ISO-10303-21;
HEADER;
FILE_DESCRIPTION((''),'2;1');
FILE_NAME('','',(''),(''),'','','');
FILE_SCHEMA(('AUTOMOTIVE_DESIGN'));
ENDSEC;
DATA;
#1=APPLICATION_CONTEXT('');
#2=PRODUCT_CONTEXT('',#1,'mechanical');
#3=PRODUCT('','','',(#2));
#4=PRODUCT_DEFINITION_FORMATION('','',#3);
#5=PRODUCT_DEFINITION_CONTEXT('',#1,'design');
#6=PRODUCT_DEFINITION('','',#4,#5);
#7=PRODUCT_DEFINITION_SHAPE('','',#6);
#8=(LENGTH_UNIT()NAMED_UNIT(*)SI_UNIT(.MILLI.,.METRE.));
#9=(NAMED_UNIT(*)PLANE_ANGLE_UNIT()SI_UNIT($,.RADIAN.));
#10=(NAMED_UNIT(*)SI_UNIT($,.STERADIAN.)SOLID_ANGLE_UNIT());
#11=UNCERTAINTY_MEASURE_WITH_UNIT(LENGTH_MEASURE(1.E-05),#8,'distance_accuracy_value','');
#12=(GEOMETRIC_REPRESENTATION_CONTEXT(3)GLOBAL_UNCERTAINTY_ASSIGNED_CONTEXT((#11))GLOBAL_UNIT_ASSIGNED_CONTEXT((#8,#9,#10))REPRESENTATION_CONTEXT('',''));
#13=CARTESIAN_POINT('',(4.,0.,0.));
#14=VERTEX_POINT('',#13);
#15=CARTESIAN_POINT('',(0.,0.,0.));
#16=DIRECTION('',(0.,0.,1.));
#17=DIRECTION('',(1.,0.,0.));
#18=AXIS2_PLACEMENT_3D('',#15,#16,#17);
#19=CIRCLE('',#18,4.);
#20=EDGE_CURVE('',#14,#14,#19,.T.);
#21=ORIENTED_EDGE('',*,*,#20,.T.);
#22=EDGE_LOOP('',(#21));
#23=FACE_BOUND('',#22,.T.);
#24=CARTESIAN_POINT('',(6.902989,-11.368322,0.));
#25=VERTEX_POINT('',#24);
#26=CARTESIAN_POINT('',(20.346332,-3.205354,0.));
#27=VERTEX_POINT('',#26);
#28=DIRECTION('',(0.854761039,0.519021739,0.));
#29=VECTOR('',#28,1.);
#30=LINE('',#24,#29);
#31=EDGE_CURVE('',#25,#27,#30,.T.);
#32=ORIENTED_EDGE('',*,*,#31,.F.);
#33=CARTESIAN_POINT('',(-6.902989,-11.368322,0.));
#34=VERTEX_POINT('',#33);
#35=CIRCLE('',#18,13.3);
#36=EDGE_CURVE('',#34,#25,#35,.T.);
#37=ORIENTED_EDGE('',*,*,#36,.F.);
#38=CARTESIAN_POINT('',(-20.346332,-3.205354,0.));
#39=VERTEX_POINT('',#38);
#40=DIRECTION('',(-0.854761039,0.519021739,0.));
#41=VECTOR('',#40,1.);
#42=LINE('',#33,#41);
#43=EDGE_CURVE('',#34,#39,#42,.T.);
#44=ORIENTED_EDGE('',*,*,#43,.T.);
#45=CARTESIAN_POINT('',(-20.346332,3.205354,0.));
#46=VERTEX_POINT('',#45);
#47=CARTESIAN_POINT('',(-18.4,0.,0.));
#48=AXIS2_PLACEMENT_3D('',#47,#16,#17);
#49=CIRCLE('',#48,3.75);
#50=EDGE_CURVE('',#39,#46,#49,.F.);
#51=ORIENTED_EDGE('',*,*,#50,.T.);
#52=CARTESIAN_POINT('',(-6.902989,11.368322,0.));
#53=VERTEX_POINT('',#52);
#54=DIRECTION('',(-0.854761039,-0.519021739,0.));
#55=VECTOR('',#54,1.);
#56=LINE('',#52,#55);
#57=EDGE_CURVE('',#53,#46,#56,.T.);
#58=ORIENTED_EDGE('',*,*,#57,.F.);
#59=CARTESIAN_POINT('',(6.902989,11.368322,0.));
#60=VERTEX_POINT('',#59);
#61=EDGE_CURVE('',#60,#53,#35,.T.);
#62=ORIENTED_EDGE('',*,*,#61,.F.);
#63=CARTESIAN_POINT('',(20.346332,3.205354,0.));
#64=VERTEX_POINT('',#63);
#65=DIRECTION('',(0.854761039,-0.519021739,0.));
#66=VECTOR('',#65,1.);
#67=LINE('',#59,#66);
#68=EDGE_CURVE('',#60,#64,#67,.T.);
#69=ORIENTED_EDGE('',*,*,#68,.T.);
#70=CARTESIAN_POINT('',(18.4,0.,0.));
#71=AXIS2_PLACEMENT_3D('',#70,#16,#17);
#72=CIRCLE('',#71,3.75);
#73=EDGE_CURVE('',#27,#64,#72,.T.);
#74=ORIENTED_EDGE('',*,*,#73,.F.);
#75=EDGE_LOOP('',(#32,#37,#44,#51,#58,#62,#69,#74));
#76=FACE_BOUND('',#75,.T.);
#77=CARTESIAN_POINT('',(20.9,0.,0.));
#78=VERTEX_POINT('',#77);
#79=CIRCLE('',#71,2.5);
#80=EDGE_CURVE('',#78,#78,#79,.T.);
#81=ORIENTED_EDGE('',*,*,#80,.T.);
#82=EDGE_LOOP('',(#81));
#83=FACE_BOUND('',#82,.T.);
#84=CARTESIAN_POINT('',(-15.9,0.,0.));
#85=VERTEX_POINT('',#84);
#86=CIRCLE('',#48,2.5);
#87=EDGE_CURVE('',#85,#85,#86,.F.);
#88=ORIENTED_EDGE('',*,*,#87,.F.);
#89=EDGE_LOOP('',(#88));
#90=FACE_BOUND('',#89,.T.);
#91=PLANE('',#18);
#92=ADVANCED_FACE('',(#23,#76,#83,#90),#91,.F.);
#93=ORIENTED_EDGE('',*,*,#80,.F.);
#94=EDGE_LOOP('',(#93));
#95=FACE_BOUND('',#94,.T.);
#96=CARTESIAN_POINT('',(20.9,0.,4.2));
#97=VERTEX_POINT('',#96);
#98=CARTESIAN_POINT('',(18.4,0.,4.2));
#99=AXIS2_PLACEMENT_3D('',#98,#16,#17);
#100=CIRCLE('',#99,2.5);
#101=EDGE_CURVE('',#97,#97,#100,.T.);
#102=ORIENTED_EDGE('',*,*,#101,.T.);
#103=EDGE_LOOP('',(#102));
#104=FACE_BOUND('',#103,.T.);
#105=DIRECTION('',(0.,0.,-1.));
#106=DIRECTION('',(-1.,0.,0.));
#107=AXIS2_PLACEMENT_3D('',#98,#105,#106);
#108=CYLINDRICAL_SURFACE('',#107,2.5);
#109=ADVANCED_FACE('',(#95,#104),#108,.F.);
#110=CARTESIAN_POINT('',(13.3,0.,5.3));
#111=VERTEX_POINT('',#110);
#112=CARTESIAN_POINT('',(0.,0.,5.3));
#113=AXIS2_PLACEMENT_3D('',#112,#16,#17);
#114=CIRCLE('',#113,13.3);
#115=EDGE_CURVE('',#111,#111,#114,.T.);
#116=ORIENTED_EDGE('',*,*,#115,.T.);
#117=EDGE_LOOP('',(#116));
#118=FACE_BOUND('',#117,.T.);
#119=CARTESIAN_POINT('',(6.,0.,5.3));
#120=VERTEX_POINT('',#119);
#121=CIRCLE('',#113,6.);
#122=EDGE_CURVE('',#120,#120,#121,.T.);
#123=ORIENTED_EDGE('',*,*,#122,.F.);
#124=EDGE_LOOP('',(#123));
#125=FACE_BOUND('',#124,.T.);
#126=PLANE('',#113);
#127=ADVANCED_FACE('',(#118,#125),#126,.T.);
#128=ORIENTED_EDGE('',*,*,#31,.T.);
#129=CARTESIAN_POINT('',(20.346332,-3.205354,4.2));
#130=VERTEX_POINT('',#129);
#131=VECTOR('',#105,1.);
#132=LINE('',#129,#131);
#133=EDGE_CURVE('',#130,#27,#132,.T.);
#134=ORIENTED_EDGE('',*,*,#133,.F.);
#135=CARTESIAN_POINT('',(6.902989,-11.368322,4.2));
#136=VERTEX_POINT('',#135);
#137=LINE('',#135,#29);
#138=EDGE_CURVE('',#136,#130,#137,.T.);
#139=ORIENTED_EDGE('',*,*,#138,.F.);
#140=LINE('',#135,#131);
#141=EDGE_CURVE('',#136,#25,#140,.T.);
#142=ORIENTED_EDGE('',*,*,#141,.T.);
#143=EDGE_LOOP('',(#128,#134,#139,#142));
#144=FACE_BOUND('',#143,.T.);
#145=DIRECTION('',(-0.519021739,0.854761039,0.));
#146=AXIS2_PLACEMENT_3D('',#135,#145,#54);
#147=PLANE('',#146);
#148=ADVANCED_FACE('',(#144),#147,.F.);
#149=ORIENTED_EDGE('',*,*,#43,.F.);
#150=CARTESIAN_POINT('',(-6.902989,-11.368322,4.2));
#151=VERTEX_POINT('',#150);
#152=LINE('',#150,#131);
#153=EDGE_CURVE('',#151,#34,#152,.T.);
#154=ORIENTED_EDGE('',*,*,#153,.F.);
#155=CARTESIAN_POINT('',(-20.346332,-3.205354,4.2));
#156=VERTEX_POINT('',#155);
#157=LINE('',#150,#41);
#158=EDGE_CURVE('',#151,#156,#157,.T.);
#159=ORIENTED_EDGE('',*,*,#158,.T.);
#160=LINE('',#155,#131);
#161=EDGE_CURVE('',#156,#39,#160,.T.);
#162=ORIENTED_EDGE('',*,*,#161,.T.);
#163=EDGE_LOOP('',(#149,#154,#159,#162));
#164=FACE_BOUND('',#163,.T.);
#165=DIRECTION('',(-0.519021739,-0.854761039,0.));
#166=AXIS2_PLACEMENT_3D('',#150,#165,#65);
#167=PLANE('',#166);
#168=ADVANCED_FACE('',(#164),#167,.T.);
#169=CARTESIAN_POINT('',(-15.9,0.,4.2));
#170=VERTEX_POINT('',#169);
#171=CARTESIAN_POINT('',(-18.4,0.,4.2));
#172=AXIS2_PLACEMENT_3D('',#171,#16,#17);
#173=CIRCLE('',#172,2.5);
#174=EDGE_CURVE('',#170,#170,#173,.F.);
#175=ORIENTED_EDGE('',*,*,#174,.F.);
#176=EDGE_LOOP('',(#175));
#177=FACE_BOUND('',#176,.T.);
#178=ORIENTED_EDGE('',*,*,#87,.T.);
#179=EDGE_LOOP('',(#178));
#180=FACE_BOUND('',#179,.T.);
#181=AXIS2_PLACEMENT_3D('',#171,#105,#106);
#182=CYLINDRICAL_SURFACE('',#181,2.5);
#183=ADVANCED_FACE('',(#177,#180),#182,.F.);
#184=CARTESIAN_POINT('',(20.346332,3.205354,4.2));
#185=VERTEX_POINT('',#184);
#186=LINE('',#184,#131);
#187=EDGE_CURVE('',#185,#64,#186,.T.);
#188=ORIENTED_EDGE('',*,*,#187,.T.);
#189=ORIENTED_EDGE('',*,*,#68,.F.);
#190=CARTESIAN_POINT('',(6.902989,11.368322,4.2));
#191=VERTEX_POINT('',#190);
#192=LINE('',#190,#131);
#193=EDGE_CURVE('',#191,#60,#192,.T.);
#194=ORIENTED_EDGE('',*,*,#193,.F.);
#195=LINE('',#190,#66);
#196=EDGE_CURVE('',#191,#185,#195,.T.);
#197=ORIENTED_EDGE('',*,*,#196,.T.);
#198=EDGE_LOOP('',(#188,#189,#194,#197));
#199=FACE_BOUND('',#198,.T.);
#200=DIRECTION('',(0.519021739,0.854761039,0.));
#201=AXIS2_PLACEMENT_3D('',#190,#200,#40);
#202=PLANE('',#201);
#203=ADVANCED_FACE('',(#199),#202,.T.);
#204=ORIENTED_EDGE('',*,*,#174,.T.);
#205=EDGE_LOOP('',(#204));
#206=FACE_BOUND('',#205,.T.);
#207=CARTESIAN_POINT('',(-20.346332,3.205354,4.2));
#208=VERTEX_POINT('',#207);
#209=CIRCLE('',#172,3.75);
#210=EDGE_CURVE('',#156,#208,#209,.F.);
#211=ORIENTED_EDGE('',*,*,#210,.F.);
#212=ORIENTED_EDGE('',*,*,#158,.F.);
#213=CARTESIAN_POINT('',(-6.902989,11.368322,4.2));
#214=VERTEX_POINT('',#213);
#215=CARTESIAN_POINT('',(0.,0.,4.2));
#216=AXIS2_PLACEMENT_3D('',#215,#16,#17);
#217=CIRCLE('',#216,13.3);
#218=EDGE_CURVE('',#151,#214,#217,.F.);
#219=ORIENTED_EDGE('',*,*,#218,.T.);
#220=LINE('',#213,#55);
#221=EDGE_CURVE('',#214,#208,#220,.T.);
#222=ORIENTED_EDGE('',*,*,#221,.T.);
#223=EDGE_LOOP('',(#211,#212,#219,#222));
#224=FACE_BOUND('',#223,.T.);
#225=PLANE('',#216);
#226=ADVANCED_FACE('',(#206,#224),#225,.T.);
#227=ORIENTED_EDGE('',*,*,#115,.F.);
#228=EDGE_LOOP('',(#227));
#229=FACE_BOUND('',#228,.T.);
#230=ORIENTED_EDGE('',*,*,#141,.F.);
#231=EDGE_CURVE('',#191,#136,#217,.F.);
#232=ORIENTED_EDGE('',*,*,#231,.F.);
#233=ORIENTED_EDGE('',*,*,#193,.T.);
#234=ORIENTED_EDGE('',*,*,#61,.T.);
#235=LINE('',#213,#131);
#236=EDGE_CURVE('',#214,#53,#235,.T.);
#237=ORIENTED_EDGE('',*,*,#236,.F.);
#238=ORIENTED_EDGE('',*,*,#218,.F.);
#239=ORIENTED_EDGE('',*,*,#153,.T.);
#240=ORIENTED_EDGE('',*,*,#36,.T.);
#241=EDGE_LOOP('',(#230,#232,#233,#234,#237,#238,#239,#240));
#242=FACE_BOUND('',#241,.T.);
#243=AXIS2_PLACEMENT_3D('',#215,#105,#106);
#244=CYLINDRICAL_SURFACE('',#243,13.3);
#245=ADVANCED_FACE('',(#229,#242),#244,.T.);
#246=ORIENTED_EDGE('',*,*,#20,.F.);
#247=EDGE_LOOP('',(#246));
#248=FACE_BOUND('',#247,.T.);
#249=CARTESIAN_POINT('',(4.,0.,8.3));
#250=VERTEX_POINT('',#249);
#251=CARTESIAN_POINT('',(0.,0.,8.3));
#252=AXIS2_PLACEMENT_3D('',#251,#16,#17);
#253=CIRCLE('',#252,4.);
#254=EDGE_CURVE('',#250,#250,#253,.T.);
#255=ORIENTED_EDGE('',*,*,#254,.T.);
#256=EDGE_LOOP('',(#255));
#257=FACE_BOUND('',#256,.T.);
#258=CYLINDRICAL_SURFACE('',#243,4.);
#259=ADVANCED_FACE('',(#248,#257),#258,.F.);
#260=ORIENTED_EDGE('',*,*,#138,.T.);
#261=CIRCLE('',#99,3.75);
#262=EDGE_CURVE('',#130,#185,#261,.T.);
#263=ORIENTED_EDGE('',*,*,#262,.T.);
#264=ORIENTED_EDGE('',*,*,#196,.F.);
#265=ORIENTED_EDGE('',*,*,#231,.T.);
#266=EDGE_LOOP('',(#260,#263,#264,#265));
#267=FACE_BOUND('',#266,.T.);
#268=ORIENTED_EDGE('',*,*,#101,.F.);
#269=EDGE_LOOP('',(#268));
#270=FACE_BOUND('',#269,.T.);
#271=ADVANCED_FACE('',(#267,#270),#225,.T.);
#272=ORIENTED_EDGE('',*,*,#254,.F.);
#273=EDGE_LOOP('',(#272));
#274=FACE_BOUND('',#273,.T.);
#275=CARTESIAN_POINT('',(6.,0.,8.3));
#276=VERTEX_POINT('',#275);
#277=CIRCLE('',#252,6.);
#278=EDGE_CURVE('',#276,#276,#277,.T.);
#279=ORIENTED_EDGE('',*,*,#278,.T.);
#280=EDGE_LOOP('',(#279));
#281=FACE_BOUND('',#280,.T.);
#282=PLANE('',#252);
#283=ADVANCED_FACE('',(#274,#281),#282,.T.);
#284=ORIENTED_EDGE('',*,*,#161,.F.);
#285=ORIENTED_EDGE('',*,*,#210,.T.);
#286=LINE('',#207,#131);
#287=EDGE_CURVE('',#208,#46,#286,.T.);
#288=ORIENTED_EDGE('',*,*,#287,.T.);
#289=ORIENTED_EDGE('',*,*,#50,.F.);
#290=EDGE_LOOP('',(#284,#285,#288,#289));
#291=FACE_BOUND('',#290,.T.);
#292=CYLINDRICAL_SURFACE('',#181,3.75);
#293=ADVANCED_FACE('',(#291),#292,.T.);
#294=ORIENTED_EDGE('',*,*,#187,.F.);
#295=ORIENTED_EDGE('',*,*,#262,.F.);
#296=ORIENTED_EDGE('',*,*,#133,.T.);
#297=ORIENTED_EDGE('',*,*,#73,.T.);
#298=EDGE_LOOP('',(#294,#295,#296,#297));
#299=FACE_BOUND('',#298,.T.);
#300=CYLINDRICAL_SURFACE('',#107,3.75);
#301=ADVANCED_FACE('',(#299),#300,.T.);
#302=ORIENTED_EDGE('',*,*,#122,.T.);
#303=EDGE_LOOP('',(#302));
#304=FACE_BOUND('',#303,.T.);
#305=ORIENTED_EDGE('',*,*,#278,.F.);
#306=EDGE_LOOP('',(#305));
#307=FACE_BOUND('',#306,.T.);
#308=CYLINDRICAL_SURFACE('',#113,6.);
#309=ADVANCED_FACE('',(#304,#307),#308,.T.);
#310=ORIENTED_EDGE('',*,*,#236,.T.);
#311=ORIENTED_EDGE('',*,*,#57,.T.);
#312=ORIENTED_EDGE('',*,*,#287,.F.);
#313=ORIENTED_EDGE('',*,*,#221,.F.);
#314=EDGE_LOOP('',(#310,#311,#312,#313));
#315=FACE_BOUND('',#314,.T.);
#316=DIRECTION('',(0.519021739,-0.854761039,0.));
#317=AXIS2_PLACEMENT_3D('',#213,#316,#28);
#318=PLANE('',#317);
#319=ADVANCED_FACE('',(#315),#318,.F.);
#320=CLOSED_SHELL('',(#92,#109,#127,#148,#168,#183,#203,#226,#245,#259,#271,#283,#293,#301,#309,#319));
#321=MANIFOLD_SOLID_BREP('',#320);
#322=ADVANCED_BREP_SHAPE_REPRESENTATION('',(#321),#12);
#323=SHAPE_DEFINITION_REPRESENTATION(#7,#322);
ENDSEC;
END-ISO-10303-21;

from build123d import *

# Parameters (mm, degrees)
SKETCH_1_R          = 2.5
SKETCH_1_R_2        = 4
EXTRUDE_1_DEPTH     = 4.2
SKETCH_1_3_R        = 4
EXTRUDE_2_DEPTH     = 8.3
CUT_EXTRUDE_START   = -3
SKETCH_2_R          = 13.3
SKETCH_2_R_2        = 6
CUT_EXTRUDE_1_DEPTH = 3


with BuildPart() as part:
    # 草图1 → 凸台-拉伸1 (new body)
    with BuildSketch(Plane.XY):
        with BuildLine():
            Line((20.346331522, 3.205353897), (6.90298913, 11.368321823))
            ThreePointArc((6.90298913, 11.368321823), (0, 13.3), (-6.90298913, 11.368321823))
            Line((-6.90298913, 11.368321823), (-20.346331522, 3.205353897))
            ThreePointArc((-20.346331522, 3.205353897), (-22.15, 0), (-20.346331522, -3.205353897))
            Line((-20.346331522, -3.205353897), (-6.90298913, -11.368321823))
            ThreePointArc((-6.90298913, -11.368321823), (0, -13.3), (6.90298913, -11.368321823))
            Line((6.90298913, -11.368321823), (20.346331522, -3.205353897))
            ThreePointArc((20.346331522, -3.205353897), (22.15, 0), (20.346331522, 3.205353897))
        make_face()
        with Locations((18.4, 0)):
            Circle(SKETCH_1_R, mode=Mode.SUBTRACT)
        Circle(SKETCH_1_R_2, mode=Mode.SUBTRACT)
        with Locations((-18.4, 0)):
            Circle(SKETCH_1_R, mode=Mode.SUBTRACT)
    extrude(amount=EXTRUDE_1_DEPTH)

    # 草图1<3> → 凸台-拉伸2 (add)
    with BuildSketch(Plane.XY):
        with BuildLine():
            ThreePointArc((13.3, 0), (11.590939467, 6.522278918), (6.90298913, 11.368321823))
            ThreePointArc((6.90298913, 11.368321823), (0, 13.3), (-6.90298913, 11.368321823))
            ThreePointArc((-6.90298913, 11.368321823), (-13.3, 0), (-6.90298913, -11.368321823))
            ThreePointArc((-6.90298913, -11.368321823), (0, -13.3), (6.90298913, -11.368321823))
            ThreePointArc((6.90298913, -11.368321823), (11.590939467, -6.522278918), (13.3, 0))
        make_face()
        Circle(SKETCH_1_3_R, mode=Mode.SUBTRACT)
    extrude(amount=EXTRUDE_2_DEPTH)

    # 草图2 → 切除-拉伸1 (cut)
    with BuildSketch(Plane.XY.offset(8.3).offset(CUT_EXTRUDE_START)):
        Circle(SKETCH_2_R)
        Circle(SKETCH_2_R_2, mode=Mode.SUBTRACT)
    extrude(amount=CUT_EXTRUDE_1_DEPTH, mode=Mode.SUBTRACT)


solid = part.part
